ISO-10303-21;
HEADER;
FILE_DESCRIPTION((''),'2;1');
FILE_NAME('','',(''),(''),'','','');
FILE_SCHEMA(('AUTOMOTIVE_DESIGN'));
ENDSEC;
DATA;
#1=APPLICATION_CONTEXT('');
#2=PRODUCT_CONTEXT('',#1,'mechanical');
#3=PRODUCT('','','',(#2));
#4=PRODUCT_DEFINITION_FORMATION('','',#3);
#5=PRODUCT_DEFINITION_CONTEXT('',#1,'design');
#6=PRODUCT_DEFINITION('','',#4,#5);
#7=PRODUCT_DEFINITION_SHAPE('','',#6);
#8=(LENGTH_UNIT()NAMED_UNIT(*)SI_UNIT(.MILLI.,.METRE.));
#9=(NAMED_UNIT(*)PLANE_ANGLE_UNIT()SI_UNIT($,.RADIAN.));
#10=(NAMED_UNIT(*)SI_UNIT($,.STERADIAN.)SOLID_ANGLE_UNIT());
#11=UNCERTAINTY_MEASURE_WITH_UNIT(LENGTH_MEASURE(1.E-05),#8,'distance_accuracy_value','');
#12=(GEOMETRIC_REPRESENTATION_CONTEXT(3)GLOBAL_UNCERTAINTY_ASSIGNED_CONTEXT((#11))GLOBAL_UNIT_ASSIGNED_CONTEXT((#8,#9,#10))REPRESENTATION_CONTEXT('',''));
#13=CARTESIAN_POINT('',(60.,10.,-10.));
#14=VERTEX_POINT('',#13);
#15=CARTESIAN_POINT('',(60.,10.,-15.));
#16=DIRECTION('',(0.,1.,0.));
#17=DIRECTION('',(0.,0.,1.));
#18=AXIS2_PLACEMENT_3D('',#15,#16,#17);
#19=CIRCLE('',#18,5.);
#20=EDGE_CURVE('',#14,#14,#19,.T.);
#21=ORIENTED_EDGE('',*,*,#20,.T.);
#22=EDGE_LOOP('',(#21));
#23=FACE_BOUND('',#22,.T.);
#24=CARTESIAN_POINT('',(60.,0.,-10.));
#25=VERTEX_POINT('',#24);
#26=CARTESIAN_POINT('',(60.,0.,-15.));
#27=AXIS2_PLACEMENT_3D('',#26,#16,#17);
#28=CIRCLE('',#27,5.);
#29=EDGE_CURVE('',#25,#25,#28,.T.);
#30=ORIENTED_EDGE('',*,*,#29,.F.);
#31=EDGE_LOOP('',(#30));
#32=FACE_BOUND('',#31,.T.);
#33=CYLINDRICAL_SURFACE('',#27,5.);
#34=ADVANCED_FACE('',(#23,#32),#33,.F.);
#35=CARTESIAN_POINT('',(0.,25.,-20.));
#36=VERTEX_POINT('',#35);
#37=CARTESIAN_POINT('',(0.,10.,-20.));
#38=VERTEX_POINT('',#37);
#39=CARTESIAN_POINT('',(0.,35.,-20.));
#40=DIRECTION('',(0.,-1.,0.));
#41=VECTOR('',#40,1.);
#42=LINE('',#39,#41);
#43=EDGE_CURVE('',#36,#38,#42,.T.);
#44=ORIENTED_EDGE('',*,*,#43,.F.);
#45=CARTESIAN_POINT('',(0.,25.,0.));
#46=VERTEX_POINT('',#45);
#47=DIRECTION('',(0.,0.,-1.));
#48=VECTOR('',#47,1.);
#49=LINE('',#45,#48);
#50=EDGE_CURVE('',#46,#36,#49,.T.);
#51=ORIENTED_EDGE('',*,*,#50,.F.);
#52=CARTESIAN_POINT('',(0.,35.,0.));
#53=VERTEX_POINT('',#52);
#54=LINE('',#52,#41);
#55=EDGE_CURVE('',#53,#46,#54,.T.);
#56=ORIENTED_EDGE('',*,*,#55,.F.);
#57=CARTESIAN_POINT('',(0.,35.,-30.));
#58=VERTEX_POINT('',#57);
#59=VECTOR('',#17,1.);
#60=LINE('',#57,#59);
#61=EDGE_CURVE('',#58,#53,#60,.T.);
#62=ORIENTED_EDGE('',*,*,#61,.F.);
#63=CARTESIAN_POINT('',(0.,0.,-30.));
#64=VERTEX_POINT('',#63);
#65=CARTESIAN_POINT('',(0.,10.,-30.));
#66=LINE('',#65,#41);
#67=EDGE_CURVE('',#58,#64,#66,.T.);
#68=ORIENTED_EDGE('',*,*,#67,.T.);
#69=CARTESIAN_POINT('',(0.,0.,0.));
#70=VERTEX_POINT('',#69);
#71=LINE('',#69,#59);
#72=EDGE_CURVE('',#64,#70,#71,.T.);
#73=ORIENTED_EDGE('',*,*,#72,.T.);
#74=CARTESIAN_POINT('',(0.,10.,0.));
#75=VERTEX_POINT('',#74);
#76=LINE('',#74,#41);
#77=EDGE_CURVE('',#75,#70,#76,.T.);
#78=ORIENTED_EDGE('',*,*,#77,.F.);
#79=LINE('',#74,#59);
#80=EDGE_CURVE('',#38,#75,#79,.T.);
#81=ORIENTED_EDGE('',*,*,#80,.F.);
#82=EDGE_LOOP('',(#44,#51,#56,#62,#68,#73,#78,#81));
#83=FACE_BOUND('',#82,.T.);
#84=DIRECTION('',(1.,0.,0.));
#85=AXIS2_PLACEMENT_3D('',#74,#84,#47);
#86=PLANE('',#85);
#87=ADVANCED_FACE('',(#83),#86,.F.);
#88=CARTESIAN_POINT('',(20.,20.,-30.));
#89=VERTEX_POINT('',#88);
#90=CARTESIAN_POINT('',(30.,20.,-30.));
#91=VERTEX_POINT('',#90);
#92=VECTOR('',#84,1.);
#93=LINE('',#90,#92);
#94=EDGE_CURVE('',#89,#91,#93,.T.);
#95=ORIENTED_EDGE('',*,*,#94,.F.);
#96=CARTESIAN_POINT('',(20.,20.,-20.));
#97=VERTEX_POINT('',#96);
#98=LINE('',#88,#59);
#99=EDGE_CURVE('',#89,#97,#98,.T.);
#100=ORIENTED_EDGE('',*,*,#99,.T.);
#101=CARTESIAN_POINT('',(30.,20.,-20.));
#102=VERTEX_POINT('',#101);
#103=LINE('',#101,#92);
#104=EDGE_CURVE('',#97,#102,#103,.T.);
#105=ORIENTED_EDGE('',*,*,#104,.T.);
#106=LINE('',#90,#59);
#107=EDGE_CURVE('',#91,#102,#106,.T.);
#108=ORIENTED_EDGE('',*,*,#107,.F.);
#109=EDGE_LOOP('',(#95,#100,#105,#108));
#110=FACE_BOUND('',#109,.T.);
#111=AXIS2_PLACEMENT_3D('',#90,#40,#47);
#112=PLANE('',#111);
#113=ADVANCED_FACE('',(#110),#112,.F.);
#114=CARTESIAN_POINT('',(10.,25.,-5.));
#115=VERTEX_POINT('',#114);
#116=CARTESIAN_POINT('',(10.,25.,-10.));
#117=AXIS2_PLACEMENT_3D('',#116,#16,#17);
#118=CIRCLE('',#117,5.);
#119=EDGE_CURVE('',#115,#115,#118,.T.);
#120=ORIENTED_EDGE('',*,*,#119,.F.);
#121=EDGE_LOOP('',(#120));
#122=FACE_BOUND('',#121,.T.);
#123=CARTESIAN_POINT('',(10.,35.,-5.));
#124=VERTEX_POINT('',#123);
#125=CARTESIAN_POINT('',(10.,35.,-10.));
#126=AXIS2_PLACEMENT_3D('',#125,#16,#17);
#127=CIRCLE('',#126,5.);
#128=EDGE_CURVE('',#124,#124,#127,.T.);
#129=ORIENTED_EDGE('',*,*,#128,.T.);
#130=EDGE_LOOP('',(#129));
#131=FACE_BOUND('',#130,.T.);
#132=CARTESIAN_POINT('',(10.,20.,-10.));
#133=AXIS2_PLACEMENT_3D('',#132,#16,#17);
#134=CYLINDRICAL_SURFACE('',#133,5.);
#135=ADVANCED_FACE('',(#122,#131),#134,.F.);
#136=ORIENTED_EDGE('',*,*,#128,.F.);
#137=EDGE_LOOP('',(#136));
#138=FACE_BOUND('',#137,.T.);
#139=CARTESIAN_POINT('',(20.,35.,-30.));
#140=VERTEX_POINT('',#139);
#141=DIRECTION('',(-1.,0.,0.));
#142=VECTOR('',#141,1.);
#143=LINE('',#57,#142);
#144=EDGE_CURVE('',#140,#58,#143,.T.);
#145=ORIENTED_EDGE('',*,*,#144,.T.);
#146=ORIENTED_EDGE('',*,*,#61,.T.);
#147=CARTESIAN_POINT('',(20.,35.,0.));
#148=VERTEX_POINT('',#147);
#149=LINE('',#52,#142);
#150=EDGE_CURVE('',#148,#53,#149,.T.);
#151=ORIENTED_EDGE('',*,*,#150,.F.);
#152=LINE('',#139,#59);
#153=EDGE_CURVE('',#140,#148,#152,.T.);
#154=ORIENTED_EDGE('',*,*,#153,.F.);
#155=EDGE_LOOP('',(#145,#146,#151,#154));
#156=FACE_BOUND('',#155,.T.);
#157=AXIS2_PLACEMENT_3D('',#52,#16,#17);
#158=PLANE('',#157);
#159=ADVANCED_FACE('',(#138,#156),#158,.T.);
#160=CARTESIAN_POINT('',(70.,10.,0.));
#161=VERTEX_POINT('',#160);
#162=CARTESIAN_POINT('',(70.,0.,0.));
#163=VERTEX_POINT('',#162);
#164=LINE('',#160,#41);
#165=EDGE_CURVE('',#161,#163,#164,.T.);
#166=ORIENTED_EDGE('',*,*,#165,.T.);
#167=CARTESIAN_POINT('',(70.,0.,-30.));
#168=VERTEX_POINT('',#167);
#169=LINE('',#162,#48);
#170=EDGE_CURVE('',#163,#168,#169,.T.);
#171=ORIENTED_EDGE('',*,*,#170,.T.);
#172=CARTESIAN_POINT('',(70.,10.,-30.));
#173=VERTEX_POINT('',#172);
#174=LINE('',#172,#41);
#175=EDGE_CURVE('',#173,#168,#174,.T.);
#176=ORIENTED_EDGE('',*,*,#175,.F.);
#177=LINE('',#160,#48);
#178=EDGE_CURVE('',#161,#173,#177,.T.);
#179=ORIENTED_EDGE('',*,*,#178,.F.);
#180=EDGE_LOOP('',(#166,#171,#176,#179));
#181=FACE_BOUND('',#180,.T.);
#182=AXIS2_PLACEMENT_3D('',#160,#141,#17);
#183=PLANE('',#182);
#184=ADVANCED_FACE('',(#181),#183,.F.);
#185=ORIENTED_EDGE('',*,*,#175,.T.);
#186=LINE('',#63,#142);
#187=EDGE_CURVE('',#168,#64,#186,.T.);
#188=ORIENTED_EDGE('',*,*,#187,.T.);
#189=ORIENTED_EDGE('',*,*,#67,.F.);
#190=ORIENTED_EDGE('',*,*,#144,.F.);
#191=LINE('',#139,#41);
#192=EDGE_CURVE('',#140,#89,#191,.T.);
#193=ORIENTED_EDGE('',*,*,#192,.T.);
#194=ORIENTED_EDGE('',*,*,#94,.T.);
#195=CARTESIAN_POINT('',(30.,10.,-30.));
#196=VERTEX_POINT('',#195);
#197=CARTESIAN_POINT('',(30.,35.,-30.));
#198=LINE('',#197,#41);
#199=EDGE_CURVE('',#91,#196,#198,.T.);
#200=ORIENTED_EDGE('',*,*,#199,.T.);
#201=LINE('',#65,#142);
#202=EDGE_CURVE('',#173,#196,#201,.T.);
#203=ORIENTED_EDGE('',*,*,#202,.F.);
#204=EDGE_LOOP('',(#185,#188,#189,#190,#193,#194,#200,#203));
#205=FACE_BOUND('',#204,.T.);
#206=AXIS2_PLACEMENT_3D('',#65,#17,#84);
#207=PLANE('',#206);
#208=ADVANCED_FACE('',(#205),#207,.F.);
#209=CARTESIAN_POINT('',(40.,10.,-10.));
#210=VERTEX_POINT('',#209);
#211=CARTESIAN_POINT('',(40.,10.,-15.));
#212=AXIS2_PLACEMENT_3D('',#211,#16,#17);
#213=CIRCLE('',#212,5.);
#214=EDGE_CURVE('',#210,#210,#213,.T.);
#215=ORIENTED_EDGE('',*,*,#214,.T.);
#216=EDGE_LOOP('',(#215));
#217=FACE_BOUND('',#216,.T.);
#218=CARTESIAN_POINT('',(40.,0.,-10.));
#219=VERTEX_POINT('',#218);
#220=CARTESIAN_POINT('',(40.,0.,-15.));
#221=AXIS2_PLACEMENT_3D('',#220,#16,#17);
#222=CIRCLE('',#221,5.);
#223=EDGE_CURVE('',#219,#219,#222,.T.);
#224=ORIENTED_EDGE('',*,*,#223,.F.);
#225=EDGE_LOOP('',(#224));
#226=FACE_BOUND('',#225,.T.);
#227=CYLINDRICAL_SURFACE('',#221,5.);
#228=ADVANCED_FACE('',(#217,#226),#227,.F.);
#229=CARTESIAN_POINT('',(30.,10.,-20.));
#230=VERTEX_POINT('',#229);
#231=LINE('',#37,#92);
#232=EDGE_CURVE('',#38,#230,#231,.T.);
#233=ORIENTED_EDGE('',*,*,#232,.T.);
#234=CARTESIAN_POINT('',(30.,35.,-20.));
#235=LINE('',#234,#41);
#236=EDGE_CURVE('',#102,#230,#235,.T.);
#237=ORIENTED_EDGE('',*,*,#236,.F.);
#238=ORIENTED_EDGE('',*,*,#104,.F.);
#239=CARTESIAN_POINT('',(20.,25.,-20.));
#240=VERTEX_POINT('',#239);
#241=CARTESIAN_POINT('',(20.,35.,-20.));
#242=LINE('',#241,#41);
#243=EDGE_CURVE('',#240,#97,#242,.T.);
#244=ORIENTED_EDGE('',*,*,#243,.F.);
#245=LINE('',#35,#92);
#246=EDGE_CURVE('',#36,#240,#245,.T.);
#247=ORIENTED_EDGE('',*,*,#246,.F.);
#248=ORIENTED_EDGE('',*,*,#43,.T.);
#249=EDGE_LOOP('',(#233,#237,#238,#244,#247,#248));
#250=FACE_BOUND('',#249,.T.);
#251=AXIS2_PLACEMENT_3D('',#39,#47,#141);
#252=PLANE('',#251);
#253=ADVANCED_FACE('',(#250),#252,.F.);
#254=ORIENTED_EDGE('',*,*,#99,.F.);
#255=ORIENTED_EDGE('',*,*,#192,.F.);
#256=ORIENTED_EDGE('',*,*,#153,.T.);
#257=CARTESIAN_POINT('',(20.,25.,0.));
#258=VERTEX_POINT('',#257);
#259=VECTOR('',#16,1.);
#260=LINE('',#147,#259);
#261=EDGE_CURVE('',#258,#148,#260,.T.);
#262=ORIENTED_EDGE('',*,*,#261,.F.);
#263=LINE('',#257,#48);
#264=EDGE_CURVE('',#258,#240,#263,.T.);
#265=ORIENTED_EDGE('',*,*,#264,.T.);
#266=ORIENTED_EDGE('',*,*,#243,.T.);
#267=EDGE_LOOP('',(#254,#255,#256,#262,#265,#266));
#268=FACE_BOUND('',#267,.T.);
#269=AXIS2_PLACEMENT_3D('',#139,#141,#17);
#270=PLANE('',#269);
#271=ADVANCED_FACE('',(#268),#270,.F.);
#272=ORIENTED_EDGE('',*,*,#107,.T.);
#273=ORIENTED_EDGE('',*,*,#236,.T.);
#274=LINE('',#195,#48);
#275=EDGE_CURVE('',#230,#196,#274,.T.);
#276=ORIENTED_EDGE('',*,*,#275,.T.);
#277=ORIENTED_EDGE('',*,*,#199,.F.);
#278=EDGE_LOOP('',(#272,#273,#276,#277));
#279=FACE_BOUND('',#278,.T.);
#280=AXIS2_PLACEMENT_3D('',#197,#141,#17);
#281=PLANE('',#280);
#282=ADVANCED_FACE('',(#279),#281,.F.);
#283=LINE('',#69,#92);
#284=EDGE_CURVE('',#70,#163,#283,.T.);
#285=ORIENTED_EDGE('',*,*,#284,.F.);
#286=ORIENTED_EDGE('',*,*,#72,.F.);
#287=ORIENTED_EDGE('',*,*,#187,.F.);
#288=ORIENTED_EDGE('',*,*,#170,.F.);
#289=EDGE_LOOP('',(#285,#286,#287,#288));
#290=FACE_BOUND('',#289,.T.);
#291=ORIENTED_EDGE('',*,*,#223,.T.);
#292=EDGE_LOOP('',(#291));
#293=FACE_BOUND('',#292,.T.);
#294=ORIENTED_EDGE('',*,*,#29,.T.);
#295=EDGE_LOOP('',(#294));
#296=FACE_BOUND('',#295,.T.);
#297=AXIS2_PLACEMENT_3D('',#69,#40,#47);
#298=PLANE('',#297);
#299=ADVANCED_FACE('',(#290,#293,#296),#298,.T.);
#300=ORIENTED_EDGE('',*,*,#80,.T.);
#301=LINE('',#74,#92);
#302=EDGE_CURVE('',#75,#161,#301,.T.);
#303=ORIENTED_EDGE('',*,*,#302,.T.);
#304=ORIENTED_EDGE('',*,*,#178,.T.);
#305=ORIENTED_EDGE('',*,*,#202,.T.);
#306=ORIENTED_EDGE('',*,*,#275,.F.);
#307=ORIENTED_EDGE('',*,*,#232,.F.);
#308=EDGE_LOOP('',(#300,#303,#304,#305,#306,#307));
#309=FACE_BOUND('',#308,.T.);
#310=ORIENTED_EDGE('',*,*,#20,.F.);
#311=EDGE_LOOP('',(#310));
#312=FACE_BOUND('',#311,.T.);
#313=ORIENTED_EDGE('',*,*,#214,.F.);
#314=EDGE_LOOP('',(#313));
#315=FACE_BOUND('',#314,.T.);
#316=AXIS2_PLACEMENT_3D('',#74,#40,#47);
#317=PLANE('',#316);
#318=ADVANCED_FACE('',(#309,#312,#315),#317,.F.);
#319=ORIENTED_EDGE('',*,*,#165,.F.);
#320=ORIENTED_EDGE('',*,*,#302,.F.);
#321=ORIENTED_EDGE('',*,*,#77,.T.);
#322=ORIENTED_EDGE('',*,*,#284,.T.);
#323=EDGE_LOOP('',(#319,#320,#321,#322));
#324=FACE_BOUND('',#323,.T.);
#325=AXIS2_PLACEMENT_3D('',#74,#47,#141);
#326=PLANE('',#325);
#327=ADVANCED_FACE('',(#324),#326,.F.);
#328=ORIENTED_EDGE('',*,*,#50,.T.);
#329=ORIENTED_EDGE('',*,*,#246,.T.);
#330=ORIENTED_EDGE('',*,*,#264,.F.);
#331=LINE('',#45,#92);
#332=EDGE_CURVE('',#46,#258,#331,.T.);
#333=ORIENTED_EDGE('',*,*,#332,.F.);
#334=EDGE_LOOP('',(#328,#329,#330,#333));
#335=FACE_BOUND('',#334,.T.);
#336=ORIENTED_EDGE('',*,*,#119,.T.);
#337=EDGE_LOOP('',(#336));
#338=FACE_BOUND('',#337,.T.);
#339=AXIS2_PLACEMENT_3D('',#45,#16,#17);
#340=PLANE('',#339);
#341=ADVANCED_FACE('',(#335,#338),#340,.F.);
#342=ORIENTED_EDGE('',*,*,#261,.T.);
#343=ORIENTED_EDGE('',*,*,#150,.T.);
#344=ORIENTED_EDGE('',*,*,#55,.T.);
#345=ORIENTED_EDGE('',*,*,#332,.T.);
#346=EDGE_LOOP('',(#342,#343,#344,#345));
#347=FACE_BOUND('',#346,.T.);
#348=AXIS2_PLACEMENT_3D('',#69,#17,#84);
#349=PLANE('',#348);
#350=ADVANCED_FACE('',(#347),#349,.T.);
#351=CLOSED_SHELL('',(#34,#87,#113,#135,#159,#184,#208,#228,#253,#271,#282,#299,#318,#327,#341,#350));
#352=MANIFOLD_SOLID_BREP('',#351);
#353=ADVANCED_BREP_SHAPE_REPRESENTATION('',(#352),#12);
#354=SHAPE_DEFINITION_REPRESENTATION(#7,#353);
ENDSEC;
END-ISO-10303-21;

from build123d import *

# Parameters (mm, degrees)
SKETCH1_W           = 70
SKETCH1_H           = 30
BOSS_EXTRUDE2_DEPTH = 10
SKETCH3_W           = 30
SKETCH3_H           = 10
BOSS_EXTRUDE3_DEPTH = 25
SKETCH4_W           = 10
SKETCH4_H           = 15
CUT_EXTRUDE1_DEPTH  = 11
SKETCH5_W           = 20
SKETCH5_H           = 10
BOSS_EXTRUDE4_DEPTH = 20
SKETCH6_R           = 5
CUT_EXTRUDE2_DEPTH  = 11
SKETCH7_R           = 5
CUT_EXTRUDE3_DEPTH  = 15


with BuildPart() as part:
    # Sketch1 → Boss-Extrude2 (new body)
    with BuildSketch(Plane(origin=(0, 0, 0), x_dir=(1, 0, 0), z_dir=(0, 1, 0))):
        with Locations((35, 15)):
            Rectangle(SKETCH1_W, SKETCH1_H)
    extrude(amount=BOSS_EXTRUDE2_DEPTH)

    # Sketch3 → Boss-Extrude3 (add)
    with BuildSketch(Plane(origin=(0, 10, 0), x_dir=(1, 0, 0), z_dir=(0, 1, 0))):
        with Locations((15, 25)):
            Rectangle(SKETCH3_W, SKETCH3_H)
    extrude(amount=BOSS_EXTRUDE3_DEPTH)

    # Sketch4 → Cut-Extrude1 (cut, through all)
    with BuildSketch(Plane.XY.offset(-20)):
        with Locations((25, 27.5)):
            Rectangle(SKETCH4_W, SKETCH4_H)
    extrude(amount=-CUT_EXTRUDE1_DEPTH, mode=Mode.SUBTRACT)

    # Sketch5 → Boss-Extrude4 (add)
    with BuildSketch(Plane.XY.offset(-20)):
        with Locations((10, 30)):
            Rectangle(SKETCH5_W, SKETCH5_H)
    extrude(amount=BOSS_EXTRUDE4_DEPTH)

    # Sketch6 → Cut-Extrude2 (cut, through all)
    with BuildSketch(Plane(origin=(0, 10, 0), x_dir=(1, 0, 0), z_dir=(0, 1, 0))):
        with Locations((40, 15)):
            Circle(SKETCH6_R)
        with Locations((60, 15)):
            Circle(SKETCH6_R)
    extrude(amount=-CUT_EXTRUDE2_DEPTH, mode=Mode.SUBTRACT)

    # Sketch7 → Cut-Extrude3 (cut)
    with BuildSketch(Plane(origin=(0, 35, 0), x_dir=(1, 0, 0), z_dir=(0, 1, 0))):
        with Locations((10, 10)):
            Circle(SKETCH7_R)
    extrude(amount=-CUT_EXTRUDE3_DEPTH, mode=Mode.SUBTRACT)


solid = part.part
